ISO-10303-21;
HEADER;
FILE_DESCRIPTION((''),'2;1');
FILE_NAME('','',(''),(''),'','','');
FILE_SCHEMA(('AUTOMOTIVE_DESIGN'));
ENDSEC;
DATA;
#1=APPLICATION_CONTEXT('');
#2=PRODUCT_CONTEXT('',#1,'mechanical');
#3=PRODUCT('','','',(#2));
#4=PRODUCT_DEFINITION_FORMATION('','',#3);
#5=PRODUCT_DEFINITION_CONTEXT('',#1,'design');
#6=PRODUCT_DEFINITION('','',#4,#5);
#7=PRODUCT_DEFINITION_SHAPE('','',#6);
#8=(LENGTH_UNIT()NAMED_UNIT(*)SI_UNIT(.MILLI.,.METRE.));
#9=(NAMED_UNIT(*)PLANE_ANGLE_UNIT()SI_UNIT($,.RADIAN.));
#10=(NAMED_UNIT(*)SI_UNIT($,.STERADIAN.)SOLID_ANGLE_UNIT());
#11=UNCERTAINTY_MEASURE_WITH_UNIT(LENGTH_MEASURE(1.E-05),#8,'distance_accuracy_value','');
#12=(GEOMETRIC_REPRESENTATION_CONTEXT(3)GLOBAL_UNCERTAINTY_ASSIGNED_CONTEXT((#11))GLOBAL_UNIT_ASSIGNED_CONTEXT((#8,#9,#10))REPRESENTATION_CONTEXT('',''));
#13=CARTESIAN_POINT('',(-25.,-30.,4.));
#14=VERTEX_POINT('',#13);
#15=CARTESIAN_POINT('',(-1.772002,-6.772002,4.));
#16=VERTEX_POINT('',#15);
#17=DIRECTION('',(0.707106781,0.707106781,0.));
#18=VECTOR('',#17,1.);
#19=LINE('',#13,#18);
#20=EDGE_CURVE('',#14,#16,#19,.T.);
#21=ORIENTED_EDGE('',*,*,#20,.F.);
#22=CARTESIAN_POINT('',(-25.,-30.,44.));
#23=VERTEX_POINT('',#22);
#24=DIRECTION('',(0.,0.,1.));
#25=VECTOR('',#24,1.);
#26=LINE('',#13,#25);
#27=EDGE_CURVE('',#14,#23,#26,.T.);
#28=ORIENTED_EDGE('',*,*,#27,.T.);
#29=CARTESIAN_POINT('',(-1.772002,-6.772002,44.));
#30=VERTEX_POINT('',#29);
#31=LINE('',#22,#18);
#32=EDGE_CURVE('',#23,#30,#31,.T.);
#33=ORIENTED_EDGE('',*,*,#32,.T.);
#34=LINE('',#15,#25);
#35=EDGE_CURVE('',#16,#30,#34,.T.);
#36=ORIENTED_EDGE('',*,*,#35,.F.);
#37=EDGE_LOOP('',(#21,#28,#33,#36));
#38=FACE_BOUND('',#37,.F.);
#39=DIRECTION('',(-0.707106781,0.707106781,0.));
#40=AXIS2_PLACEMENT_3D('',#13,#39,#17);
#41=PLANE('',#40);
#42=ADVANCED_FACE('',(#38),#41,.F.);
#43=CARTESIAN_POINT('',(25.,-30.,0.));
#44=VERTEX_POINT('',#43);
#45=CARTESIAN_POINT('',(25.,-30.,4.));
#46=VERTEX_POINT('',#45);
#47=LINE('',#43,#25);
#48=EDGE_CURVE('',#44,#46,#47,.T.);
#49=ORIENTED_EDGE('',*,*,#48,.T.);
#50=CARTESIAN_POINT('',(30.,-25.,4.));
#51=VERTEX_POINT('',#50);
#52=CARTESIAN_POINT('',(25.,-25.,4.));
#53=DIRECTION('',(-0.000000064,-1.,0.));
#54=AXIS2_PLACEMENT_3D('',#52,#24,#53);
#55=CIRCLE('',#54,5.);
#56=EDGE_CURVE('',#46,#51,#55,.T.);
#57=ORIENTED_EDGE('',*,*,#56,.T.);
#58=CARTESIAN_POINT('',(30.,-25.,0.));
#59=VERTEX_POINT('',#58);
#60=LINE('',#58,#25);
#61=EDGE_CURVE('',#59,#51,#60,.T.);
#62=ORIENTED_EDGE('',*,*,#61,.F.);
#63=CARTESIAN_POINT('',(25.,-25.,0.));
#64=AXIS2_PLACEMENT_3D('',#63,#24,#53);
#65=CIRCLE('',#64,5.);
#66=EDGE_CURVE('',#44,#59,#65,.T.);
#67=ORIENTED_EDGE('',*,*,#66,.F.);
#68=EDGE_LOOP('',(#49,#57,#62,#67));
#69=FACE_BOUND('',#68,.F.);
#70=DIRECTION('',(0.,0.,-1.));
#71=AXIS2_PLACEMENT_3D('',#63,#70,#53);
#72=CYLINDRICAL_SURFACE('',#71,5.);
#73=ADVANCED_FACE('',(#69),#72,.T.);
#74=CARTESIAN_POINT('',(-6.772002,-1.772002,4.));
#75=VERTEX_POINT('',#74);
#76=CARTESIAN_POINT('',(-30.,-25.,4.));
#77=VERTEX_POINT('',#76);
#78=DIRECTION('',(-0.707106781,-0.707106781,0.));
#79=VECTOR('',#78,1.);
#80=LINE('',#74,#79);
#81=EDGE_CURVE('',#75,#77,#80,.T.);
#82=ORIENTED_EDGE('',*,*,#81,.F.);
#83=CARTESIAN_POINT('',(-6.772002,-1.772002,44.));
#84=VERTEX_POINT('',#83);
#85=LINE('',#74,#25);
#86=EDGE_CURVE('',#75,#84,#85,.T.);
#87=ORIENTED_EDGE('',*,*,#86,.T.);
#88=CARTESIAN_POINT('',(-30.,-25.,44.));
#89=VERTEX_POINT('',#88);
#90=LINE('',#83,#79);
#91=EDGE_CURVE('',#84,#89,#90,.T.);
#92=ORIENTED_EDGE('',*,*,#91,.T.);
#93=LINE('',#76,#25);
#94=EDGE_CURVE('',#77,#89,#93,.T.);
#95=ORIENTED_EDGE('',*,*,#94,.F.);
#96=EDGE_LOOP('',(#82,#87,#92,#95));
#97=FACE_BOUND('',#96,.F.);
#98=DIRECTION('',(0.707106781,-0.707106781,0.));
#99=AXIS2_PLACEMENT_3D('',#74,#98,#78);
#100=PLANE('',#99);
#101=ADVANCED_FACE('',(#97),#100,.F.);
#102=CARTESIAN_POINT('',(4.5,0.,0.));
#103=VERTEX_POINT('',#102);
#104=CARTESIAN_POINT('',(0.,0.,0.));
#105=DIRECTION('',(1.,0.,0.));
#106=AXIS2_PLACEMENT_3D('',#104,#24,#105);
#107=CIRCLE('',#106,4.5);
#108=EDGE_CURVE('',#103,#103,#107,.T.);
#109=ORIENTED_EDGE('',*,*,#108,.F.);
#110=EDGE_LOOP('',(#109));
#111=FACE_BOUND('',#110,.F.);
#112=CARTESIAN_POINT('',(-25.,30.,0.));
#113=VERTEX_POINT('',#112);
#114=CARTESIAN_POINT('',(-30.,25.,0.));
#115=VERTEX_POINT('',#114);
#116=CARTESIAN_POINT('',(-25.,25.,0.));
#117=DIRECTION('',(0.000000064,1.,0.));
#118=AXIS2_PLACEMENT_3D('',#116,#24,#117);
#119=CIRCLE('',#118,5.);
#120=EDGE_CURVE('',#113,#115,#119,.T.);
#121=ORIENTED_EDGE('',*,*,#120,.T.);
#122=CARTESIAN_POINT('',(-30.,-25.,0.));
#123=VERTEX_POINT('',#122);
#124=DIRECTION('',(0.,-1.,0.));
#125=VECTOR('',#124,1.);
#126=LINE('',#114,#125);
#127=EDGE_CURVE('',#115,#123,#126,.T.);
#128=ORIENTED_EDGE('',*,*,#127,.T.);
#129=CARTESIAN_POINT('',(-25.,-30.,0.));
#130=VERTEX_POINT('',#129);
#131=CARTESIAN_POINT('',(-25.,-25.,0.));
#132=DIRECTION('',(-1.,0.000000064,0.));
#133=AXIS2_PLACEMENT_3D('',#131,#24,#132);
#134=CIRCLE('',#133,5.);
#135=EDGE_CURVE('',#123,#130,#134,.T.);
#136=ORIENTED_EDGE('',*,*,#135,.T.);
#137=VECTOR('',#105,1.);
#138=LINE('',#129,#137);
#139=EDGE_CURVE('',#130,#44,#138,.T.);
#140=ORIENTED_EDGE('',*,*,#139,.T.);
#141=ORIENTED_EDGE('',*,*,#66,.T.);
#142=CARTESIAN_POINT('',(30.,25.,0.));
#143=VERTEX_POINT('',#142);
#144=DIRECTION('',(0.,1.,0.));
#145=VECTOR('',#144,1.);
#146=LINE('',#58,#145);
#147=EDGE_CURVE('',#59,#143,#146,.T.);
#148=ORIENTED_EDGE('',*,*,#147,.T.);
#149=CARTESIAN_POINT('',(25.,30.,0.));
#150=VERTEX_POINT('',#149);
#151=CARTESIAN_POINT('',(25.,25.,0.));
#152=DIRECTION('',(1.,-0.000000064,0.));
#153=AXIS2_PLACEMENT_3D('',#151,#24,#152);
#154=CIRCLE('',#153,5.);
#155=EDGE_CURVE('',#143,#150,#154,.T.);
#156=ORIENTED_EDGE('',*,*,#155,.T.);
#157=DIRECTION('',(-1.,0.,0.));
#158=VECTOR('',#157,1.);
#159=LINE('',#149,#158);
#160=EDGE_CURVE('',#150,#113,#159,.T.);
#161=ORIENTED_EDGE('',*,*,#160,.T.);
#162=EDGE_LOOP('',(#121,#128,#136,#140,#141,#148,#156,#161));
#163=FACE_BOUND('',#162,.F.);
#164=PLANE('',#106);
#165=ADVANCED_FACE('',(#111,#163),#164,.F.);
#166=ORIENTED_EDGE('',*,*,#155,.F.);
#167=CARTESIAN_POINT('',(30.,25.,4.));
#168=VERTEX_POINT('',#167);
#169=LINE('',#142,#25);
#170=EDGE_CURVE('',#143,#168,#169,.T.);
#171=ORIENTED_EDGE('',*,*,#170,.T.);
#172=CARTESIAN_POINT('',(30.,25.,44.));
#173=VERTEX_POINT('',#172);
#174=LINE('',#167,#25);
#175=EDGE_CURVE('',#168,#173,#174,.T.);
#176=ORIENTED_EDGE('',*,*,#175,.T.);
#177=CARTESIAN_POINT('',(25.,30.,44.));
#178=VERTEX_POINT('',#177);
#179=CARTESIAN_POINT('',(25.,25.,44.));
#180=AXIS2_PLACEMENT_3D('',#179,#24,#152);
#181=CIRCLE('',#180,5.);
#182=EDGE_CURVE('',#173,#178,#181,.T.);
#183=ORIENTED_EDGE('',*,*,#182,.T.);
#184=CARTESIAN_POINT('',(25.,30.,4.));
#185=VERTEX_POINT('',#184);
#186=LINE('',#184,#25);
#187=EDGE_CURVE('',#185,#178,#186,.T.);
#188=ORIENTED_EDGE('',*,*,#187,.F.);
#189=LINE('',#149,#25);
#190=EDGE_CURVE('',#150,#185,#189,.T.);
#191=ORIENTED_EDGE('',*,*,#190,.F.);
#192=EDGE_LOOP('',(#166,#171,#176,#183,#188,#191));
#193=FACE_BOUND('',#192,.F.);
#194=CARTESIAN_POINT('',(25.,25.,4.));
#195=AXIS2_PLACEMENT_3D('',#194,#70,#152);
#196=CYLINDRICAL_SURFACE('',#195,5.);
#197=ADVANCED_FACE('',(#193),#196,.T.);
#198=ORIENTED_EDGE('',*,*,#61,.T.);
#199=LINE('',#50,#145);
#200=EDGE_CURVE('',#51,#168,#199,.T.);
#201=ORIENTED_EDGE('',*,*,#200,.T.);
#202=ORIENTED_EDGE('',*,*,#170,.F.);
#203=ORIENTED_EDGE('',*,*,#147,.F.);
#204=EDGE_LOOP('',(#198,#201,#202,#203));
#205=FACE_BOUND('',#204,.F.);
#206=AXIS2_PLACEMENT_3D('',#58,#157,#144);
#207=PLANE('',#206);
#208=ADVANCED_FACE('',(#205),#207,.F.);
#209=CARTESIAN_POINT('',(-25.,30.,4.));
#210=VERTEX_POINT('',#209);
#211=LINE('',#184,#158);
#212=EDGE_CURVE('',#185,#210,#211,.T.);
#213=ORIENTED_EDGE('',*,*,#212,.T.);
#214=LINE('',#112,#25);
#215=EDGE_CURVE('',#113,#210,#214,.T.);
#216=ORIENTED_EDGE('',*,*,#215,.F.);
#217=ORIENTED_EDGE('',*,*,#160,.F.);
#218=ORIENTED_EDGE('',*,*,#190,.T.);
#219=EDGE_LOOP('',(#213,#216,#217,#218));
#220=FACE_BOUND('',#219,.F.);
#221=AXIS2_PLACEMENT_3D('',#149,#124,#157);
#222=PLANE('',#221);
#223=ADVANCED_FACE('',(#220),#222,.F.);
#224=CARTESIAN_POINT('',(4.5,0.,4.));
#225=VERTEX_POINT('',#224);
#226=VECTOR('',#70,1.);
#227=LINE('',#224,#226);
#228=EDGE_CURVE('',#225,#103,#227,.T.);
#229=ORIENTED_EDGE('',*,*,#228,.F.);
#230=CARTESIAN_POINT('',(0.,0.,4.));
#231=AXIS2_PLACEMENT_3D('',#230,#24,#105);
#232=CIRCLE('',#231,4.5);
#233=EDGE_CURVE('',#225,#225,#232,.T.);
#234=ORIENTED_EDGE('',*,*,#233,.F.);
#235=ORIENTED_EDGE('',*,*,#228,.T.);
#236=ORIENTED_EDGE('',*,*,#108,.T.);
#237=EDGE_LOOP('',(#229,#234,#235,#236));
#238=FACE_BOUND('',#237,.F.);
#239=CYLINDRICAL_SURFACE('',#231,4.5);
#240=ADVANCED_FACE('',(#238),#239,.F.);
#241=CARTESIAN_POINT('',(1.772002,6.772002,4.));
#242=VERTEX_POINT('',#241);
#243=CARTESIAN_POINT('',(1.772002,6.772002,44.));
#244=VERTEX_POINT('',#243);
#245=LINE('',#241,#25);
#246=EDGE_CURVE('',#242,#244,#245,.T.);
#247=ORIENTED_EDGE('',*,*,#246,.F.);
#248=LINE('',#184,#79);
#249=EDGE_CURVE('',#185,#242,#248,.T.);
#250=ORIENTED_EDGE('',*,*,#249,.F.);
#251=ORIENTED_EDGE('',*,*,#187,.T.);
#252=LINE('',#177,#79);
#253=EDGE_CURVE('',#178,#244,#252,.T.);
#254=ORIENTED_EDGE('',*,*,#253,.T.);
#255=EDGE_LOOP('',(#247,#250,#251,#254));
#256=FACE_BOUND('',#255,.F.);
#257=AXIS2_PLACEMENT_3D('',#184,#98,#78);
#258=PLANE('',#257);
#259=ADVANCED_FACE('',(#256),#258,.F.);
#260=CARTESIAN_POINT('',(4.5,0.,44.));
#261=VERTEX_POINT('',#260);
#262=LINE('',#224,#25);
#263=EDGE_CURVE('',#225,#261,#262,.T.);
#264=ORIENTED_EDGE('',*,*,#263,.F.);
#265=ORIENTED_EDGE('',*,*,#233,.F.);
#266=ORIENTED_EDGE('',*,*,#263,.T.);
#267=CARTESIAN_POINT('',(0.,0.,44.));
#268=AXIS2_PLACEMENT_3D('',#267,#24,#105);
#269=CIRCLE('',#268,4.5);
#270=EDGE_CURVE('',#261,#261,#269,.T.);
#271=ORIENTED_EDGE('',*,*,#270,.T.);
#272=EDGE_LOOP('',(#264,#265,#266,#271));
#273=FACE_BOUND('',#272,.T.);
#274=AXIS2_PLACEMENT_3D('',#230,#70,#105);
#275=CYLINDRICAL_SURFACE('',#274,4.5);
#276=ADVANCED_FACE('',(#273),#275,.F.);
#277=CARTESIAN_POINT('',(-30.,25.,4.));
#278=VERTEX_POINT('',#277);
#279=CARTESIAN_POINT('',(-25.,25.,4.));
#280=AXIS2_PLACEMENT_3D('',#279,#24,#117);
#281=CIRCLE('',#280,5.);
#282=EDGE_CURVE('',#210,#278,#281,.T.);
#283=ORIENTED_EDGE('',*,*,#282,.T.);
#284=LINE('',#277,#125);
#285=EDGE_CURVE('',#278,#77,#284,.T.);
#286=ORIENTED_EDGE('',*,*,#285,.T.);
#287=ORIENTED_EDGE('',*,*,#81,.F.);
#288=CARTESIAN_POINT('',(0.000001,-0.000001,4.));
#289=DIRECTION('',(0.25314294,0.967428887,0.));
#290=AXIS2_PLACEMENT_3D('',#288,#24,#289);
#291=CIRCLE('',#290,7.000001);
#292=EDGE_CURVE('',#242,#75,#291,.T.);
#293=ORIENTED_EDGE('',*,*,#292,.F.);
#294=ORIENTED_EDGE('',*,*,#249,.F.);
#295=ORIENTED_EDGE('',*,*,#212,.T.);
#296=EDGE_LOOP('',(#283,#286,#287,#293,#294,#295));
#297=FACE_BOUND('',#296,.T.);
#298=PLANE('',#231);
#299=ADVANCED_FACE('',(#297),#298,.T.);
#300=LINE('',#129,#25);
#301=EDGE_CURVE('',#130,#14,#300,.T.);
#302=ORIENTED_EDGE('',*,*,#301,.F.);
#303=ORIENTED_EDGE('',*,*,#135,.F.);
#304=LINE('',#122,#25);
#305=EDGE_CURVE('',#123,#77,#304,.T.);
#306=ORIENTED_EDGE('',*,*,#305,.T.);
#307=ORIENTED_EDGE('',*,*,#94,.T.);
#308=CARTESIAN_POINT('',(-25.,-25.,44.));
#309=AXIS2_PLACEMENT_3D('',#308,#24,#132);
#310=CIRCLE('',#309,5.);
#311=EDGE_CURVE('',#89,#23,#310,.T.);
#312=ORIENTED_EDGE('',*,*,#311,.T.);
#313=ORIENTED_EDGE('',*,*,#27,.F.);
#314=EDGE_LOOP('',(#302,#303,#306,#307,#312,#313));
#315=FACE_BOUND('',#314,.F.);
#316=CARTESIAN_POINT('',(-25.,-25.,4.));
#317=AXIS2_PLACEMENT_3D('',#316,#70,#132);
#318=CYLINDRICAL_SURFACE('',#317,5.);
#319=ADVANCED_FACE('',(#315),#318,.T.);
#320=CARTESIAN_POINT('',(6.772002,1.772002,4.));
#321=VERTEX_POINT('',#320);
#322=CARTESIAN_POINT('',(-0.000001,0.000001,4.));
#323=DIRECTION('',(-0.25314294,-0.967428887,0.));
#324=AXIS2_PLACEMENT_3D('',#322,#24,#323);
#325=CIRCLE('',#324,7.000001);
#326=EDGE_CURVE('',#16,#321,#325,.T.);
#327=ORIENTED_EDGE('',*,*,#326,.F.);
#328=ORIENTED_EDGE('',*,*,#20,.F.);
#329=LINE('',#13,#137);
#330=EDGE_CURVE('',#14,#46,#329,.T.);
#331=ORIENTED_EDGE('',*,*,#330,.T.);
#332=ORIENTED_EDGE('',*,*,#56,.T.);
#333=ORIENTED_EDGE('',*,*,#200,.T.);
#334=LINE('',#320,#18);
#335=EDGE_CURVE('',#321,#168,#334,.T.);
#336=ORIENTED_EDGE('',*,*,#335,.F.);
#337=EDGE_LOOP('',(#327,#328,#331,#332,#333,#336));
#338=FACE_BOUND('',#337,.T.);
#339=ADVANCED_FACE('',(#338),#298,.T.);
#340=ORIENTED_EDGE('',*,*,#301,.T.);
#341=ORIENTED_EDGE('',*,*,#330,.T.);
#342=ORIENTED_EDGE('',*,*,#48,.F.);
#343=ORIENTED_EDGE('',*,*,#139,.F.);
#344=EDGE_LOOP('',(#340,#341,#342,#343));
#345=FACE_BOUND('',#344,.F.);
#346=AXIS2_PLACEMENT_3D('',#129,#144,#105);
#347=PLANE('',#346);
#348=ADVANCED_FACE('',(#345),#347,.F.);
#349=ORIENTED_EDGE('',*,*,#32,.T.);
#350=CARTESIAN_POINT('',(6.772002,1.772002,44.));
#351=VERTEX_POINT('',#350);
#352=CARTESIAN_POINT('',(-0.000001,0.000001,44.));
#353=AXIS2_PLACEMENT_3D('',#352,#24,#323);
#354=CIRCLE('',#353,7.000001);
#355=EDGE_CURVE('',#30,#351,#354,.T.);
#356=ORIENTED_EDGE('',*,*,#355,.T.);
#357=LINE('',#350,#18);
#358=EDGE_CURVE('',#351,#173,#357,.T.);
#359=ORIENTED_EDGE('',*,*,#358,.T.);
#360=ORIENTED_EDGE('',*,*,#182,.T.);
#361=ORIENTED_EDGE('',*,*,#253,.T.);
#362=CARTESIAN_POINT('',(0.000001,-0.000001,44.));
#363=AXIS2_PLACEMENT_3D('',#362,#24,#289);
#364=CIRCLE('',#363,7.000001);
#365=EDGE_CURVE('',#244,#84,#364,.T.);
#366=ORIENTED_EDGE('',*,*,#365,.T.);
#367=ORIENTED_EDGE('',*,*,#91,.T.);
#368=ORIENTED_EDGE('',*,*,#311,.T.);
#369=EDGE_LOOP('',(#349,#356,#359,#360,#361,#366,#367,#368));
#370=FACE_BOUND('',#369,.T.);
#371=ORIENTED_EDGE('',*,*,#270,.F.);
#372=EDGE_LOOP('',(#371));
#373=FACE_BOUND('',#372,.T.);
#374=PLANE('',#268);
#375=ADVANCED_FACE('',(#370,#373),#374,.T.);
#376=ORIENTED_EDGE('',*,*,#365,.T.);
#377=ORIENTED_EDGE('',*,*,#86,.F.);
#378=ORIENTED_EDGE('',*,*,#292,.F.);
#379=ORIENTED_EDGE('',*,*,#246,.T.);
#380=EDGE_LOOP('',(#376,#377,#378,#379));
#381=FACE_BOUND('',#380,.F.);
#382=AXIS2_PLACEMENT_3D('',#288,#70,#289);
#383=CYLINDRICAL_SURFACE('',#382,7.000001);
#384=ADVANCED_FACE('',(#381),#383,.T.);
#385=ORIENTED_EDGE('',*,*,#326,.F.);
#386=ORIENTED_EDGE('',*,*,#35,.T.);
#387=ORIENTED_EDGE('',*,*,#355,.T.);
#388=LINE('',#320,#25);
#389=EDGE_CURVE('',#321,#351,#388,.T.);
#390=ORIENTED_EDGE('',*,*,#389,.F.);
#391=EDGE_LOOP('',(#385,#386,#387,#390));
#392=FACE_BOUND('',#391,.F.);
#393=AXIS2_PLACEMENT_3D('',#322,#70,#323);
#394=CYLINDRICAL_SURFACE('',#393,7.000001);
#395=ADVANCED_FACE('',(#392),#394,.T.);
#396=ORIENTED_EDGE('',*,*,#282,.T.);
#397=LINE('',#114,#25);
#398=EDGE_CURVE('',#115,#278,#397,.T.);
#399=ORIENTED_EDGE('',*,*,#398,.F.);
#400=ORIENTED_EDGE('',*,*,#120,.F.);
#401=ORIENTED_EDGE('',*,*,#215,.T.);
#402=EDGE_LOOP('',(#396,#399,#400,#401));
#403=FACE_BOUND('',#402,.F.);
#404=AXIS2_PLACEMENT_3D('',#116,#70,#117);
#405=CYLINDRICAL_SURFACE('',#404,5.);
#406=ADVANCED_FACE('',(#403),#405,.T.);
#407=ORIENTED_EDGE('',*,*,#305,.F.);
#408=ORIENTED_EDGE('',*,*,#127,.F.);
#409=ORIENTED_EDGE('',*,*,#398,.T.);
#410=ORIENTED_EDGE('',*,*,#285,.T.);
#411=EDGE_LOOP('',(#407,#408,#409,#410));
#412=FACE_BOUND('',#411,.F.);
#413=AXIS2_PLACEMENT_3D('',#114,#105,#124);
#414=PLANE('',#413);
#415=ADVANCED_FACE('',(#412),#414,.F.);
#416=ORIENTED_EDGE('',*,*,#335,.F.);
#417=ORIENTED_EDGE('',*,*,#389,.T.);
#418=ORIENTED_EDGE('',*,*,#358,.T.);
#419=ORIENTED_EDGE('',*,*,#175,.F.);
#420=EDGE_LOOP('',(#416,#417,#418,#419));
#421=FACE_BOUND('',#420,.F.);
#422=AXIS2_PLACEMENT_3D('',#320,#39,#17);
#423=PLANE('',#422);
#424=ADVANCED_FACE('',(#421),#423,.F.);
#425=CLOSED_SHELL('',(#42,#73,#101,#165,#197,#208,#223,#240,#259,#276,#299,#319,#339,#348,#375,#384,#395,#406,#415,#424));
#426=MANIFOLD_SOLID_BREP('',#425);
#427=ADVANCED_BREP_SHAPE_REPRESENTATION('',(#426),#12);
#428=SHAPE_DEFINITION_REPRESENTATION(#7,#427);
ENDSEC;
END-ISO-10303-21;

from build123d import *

# Parameters (mm, degrees)
F1_DEPTH = 4
F2_R     = 4.5
F3_DEPTH = 40
F4_DEPTH = 25


with BuildPart() as f1:
    # F0 (on Top) → F1 (new body)
    with BuildSketch(Plane.XY):
        with BuildLine():
            Line((-25, -30), (25, -30))
            ThreePointArc((25, -30), (28.535534, -28.535534), (30, -25))
            Line((30, -25), (30, 25))
            ThreePointArc((30, 25), (28.535534, 28.535534), (25, 30))
            Line((25, 30), (-25, 30))
            ThreePointArc((-25, 30), (-28.535534, 28.535534), (-30, 25))
            Line((-30, 25), (-30, -25))
            ThreePointArc((-30, -25), (-28.535534, -28.535534), (-25, -30))
        make_face()
    extrude(amount=F1_DEPTH)

    # F2 (on face) → F3 (join)
    with BuildSketch(Plane.XY.offset(4)):
        with BuildLine():
            Line((25, 30), (1.772002, 6.772002))
            ThreePointArc((1.772002, 6.772002), (-4.949747, 4.949747), (-6.772002, -1.772002))
            Line((-6.772002, -1.772002), (-30, -25))
            ThreePointArc((-30, -25), (-28.535534, -28.535534), (-25, -30))
            Line((-25, -30), (-1.772002, -6.772002))
            ThreePointArc((-1.772002, -6.772002), (4.949747, -4.949747), (6.772002, 1.772002))
            Line((6.772002, 1.772002), (30, 25))
            ThreePointArc((30, 25), (28.535534, 28.535534), (25, 30))
        make_face()
        Circle(F2_R, mode=Mode.SUBTRACT)
    extrude(amount=F3_DEPTH)

    # F2 (on face) → F4 (cut)
    with BuildSketch(Plane.XY.offset(4)):
        Circle(F2_R)
    extrude(amount=-F4_DEPTH, mode=Mode.SUBTRACT)


solid = f1.part
